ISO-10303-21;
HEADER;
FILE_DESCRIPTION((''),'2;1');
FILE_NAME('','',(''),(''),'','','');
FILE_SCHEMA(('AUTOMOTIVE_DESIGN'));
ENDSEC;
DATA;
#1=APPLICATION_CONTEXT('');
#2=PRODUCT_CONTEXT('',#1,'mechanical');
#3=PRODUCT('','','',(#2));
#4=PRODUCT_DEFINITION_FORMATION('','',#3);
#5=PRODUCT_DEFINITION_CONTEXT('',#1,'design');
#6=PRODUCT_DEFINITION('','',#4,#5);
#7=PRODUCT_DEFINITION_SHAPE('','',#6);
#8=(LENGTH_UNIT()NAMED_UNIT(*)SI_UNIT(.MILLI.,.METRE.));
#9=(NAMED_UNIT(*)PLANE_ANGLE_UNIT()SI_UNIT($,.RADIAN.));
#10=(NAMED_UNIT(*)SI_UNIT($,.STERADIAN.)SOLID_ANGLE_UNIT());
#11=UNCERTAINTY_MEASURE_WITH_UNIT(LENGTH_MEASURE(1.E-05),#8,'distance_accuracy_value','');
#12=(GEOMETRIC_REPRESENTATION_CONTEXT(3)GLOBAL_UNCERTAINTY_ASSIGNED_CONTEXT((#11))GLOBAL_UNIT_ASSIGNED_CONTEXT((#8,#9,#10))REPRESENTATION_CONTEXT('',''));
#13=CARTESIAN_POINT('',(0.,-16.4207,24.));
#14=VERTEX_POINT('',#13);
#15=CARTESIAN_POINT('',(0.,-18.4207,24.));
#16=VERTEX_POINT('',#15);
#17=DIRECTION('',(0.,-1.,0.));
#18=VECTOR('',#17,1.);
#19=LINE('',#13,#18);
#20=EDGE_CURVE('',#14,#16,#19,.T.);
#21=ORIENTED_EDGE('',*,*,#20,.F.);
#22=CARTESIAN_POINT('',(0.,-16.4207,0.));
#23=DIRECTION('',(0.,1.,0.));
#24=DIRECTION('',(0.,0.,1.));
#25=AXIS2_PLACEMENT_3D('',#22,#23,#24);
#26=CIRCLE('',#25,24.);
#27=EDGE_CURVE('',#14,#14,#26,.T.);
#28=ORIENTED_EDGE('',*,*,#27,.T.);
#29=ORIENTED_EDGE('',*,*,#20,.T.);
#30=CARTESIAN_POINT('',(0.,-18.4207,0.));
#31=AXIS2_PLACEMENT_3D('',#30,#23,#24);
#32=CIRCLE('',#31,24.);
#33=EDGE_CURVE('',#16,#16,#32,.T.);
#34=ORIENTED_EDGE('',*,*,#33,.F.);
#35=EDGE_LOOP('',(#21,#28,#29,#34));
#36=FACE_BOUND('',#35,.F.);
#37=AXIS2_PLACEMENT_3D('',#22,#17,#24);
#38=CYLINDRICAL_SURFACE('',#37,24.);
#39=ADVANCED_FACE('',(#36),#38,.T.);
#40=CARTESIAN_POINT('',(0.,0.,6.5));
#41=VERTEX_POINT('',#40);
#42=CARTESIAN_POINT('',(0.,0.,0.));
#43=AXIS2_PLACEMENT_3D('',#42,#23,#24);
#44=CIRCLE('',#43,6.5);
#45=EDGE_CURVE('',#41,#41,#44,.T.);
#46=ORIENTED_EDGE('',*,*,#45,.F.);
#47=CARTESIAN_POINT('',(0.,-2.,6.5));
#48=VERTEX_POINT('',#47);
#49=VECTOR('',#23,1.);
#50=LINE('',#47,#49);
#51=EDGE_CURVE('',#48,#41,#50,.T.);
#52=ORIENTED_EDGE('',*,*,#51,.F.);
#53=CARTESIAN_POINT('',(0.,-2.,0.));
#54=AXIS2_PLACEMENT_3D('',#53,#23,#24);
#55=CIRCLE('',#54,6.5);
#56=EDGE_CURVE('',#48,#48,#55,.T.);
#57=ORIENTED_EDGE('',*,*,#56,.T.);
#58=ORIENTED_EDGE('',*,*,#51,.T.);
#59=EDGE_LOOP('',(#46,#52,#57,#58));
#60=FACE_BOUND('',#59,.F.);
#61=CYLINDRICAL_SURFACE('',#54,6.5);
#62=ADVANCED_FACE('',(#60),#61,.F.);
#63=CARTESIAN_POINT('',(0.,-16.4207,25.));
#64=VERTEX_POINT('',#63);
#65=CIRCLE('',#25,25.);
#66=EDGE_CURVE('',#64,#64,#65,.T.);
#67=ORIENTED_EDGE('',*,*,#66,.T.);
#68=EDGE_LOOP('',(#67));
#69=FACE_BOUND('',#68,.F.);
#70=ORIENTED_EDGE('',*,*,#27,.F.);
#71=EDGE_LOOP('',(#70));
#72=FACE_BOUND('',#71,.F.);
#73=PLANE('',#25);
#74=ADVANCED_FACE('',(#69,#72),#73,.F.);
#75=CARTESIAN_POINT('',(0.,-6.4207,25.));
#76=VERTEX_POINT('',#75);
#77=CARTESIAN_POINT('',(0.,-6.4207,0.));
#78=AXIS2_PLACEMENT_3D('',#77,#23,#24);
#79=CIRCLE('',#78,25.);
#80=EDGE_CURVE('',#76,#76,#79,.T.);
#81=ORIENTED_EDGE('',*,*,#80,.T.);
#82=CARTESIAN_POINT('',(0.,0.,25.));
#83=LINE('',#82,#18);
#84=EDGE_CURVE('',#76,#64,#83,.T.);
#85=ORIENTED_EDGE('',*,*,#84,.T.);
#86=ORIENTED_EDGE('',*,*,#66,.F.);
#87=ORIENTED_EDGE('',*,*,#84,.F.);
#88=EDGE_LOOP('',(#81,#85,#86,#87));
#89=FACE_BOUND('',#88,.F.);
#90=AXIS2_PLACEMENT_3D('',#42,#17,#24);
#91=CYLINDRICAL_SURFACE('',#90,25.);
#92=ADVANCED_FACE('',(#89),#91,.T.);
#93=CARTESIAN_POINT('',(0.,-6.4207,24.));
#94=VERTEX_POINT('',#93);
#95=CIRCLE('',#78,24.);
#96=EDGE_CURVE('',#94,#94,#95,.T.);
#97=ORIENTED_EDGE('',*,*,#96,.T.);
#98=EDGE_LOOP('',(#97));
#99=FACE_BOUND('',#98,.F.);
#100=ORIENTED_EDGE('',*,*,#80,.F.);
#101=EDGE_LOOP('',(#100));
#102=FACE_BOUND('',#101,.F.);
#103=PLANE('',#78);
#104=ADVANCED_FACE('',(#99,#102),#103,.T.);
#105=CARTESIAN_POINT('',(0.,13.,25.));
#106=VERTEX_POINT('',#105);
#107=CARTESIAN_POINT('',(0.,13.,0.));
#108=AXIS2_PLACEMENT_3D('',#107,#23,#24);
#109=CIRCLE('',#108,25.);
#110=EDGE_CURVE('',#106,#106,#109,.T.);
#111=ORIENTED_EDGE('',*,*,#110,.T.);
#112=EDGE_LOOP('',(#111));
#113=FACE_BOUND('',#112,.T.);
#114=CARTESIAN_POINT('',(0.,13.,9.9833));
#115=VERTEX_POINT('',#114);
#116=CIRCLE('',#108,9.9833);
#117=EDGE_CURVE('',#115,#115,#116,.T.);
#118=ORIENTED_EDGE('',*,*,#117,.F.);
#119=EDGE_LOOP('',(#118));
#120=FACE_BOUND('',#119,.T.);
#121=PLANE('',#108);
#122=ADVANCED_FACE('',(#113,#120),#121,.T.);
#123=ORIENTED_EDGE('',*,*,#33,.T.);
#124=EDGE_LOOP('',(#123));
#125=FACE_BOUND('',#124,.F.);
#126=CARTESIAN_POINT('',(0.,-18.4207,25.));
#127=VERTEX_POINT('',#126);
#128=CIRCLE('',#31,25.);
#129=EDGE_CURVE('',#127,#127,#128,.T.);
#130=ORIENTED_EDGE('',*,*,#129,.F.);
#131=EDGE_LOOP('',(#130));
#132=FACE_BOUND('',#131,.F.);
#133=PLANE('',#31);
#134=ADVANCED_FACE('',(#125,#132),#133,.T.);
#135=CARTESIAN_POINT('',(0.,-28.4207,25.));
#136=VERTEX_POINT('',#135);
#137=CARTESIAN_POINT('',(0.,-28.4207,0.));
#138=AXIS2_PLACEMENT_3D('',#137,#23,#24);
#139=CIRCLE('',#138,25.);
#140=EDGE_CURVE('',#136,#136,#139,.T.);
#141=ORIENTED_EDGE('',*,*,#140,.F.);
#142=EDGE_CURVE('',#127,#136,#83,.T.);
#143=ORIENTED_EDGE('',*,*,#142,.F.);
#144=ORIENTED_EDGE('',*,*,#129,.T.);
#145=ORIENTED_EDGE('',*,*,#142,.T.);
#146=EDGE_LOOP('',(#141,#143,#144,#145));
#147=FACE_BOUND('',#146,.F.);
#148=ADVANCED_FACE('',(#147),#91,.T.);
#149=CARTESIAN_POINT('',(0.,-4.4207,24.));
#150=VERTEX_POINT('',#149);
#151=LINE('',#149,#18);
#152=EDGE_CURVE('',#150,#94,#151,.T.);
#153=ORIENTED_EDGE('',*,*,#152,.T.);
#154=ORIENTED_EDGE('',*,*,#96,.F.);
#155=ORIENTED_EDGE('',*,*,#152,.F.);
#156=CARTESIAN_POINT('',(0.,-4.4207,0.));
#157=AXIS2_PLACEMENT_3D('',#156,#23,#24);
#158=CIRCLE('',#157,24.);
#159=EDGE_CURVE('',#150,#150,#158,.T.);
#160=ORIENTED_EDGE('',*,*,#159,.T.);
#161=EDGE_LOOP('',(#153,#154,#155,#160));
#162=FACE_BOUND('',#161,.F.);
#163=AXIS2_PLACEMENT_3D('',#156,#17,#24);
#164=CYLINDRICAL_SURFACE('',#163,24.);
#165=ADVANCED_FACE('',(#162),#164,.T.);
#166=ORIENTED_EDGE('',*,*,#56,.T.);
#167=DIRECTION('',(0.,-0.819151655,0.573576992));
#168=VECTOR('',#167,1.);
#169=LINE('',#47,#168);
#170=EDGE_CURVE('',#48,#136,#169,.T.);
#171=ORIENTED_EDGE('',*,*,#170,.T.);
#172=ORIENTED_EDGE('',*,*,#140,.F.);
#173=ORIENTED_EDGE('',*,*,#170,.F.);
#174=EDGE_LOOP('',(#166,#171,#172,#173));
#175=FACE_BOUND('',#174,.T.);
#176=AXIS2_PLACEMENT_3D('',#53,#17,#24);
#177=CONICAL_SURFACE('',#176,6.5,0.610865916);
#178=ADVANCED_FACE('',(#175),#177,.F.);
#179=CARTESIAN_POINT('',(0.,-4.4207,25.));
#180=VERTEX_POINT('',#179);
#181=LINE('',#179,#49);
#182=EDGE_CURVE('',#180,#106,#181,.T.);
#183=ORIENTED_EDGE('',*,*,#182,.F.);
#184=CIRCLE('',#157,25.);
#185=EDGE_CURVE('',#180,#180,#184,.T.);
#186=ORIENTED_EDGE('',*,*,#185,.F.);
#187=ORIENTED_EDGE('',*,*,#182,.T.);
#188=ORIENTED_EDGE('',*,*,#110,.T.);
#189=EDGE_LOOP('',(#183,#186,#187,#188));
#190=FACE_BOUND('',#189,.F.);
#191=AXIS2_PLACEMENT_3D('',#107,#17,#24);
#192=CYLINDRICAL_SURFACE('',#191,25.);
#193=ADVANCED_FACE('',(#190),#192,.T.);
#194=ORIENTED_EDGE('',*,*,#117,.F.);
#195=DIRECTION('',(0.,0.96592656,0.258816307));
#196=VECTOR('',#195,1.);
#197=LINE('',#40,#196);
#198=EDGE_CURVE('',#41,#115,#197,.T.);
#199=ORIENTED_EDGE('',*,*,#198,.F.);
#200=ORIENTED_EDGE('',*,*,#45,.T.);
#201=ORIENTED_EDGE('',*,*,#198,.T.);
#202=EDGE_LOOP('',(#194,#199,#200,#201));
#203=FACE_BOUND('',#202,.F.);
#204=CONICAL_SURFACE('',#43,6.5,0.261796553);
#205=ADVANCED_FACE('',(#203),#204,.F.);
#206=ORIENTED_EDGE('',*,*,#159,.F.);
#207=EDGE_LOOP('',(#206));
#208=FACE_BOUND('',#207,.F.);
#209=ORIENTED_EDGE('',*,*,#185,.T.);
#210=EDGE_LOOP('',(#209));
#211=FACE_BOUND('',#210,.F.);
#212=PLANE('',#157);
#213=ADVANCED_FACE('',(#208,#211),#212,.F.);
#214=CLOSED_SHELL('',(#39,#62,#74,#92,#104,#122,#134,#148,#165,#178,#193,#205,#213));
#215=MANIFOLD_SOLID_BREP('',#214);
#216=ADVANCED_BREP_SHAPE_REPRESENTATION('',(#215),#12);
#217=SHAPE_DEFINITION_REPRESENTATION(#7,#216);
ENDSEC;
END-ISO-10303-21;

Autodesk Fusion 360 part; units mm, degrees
sketch "Sketch1" plane through (0, 0, 0) normal (1, 0, 0) x (0, 1, 0)
  line L0 (0, 0) -> (0, 6.5)
  line L1 (0, 6.5) -> (13, 9.9833)
  line L2 (0, 6.5) -> (200, 6.5) construction
  line L3 (0, 0) -> (0, 6.5)
  line L4 (0, 10) -> (13, 10)
  line L5 (13, 10) -> (13, 6.5)
  line L6 (-2, 6.5) -> (0, 6.5)
  line L7 (-2, 0) -> (0, 0)
  line L8 (-2, 6.5) -> (-28.4207, 25)
  line L9 (-2, 6.5) -> (198, 6.5) construction
  line L10 (0, 25) -> (-28.4207, 25)
  line L11 (0, 0) -> (0, 6.5)
  line L12 (0, 10) -> (0, 25)
  line L13 (13, 9.9833) -> (13, 25)
  line L14 (13, 25) -> (0, 25)
  line L15 (-28.4207, 25) -> (-18.4207, 25)
  line L16 (-18.4207, 25) -> (-16.4207, 25)
  line L17 (-16.4207, 25) -> (-16.4207, 24)
  line L18 (-16.4207, 24) -> (-18.4207, 24)
  line L19 (-18.4207, 24) -> (-18.4207, 25)
  line L20 (-16.4207, 25) -> (-6.4207, 25)
  line L21 (-6.4207, 25) -> (-4.4207, 25)
  line L22 (-4.4207, 25) -> (-4.4207, 24)
  line L23 (-4.4207, 24) -> (-6.4207, 24)
  line L24 (-6.4207, 24) -> (-6.4207, 25)
  dimension "d7" = 6.5
  dimension "d8" = 15
  dimension "d10" = 10
  dimension "d11" = 6.5
  dimension "d12" = 145
  dimension "d14" = 25
  dimension "d15" = 10
  dimension "d16" = 2
  dimension "d17" = 1
  dimension "d18" = 10
  dimension "d19" = 2
  dimension "d20" = 1
revolve "Revolve1" add sketch "Sketch1" angle 360 about axis through (0, 1.75, 0) along (0, 1, 0) contours L1 L4 L5 L6 L8 L10 L12 L13 L15 L17 L18 L19 L20 L22 L23 L24 | L4 L12 L13 L14
